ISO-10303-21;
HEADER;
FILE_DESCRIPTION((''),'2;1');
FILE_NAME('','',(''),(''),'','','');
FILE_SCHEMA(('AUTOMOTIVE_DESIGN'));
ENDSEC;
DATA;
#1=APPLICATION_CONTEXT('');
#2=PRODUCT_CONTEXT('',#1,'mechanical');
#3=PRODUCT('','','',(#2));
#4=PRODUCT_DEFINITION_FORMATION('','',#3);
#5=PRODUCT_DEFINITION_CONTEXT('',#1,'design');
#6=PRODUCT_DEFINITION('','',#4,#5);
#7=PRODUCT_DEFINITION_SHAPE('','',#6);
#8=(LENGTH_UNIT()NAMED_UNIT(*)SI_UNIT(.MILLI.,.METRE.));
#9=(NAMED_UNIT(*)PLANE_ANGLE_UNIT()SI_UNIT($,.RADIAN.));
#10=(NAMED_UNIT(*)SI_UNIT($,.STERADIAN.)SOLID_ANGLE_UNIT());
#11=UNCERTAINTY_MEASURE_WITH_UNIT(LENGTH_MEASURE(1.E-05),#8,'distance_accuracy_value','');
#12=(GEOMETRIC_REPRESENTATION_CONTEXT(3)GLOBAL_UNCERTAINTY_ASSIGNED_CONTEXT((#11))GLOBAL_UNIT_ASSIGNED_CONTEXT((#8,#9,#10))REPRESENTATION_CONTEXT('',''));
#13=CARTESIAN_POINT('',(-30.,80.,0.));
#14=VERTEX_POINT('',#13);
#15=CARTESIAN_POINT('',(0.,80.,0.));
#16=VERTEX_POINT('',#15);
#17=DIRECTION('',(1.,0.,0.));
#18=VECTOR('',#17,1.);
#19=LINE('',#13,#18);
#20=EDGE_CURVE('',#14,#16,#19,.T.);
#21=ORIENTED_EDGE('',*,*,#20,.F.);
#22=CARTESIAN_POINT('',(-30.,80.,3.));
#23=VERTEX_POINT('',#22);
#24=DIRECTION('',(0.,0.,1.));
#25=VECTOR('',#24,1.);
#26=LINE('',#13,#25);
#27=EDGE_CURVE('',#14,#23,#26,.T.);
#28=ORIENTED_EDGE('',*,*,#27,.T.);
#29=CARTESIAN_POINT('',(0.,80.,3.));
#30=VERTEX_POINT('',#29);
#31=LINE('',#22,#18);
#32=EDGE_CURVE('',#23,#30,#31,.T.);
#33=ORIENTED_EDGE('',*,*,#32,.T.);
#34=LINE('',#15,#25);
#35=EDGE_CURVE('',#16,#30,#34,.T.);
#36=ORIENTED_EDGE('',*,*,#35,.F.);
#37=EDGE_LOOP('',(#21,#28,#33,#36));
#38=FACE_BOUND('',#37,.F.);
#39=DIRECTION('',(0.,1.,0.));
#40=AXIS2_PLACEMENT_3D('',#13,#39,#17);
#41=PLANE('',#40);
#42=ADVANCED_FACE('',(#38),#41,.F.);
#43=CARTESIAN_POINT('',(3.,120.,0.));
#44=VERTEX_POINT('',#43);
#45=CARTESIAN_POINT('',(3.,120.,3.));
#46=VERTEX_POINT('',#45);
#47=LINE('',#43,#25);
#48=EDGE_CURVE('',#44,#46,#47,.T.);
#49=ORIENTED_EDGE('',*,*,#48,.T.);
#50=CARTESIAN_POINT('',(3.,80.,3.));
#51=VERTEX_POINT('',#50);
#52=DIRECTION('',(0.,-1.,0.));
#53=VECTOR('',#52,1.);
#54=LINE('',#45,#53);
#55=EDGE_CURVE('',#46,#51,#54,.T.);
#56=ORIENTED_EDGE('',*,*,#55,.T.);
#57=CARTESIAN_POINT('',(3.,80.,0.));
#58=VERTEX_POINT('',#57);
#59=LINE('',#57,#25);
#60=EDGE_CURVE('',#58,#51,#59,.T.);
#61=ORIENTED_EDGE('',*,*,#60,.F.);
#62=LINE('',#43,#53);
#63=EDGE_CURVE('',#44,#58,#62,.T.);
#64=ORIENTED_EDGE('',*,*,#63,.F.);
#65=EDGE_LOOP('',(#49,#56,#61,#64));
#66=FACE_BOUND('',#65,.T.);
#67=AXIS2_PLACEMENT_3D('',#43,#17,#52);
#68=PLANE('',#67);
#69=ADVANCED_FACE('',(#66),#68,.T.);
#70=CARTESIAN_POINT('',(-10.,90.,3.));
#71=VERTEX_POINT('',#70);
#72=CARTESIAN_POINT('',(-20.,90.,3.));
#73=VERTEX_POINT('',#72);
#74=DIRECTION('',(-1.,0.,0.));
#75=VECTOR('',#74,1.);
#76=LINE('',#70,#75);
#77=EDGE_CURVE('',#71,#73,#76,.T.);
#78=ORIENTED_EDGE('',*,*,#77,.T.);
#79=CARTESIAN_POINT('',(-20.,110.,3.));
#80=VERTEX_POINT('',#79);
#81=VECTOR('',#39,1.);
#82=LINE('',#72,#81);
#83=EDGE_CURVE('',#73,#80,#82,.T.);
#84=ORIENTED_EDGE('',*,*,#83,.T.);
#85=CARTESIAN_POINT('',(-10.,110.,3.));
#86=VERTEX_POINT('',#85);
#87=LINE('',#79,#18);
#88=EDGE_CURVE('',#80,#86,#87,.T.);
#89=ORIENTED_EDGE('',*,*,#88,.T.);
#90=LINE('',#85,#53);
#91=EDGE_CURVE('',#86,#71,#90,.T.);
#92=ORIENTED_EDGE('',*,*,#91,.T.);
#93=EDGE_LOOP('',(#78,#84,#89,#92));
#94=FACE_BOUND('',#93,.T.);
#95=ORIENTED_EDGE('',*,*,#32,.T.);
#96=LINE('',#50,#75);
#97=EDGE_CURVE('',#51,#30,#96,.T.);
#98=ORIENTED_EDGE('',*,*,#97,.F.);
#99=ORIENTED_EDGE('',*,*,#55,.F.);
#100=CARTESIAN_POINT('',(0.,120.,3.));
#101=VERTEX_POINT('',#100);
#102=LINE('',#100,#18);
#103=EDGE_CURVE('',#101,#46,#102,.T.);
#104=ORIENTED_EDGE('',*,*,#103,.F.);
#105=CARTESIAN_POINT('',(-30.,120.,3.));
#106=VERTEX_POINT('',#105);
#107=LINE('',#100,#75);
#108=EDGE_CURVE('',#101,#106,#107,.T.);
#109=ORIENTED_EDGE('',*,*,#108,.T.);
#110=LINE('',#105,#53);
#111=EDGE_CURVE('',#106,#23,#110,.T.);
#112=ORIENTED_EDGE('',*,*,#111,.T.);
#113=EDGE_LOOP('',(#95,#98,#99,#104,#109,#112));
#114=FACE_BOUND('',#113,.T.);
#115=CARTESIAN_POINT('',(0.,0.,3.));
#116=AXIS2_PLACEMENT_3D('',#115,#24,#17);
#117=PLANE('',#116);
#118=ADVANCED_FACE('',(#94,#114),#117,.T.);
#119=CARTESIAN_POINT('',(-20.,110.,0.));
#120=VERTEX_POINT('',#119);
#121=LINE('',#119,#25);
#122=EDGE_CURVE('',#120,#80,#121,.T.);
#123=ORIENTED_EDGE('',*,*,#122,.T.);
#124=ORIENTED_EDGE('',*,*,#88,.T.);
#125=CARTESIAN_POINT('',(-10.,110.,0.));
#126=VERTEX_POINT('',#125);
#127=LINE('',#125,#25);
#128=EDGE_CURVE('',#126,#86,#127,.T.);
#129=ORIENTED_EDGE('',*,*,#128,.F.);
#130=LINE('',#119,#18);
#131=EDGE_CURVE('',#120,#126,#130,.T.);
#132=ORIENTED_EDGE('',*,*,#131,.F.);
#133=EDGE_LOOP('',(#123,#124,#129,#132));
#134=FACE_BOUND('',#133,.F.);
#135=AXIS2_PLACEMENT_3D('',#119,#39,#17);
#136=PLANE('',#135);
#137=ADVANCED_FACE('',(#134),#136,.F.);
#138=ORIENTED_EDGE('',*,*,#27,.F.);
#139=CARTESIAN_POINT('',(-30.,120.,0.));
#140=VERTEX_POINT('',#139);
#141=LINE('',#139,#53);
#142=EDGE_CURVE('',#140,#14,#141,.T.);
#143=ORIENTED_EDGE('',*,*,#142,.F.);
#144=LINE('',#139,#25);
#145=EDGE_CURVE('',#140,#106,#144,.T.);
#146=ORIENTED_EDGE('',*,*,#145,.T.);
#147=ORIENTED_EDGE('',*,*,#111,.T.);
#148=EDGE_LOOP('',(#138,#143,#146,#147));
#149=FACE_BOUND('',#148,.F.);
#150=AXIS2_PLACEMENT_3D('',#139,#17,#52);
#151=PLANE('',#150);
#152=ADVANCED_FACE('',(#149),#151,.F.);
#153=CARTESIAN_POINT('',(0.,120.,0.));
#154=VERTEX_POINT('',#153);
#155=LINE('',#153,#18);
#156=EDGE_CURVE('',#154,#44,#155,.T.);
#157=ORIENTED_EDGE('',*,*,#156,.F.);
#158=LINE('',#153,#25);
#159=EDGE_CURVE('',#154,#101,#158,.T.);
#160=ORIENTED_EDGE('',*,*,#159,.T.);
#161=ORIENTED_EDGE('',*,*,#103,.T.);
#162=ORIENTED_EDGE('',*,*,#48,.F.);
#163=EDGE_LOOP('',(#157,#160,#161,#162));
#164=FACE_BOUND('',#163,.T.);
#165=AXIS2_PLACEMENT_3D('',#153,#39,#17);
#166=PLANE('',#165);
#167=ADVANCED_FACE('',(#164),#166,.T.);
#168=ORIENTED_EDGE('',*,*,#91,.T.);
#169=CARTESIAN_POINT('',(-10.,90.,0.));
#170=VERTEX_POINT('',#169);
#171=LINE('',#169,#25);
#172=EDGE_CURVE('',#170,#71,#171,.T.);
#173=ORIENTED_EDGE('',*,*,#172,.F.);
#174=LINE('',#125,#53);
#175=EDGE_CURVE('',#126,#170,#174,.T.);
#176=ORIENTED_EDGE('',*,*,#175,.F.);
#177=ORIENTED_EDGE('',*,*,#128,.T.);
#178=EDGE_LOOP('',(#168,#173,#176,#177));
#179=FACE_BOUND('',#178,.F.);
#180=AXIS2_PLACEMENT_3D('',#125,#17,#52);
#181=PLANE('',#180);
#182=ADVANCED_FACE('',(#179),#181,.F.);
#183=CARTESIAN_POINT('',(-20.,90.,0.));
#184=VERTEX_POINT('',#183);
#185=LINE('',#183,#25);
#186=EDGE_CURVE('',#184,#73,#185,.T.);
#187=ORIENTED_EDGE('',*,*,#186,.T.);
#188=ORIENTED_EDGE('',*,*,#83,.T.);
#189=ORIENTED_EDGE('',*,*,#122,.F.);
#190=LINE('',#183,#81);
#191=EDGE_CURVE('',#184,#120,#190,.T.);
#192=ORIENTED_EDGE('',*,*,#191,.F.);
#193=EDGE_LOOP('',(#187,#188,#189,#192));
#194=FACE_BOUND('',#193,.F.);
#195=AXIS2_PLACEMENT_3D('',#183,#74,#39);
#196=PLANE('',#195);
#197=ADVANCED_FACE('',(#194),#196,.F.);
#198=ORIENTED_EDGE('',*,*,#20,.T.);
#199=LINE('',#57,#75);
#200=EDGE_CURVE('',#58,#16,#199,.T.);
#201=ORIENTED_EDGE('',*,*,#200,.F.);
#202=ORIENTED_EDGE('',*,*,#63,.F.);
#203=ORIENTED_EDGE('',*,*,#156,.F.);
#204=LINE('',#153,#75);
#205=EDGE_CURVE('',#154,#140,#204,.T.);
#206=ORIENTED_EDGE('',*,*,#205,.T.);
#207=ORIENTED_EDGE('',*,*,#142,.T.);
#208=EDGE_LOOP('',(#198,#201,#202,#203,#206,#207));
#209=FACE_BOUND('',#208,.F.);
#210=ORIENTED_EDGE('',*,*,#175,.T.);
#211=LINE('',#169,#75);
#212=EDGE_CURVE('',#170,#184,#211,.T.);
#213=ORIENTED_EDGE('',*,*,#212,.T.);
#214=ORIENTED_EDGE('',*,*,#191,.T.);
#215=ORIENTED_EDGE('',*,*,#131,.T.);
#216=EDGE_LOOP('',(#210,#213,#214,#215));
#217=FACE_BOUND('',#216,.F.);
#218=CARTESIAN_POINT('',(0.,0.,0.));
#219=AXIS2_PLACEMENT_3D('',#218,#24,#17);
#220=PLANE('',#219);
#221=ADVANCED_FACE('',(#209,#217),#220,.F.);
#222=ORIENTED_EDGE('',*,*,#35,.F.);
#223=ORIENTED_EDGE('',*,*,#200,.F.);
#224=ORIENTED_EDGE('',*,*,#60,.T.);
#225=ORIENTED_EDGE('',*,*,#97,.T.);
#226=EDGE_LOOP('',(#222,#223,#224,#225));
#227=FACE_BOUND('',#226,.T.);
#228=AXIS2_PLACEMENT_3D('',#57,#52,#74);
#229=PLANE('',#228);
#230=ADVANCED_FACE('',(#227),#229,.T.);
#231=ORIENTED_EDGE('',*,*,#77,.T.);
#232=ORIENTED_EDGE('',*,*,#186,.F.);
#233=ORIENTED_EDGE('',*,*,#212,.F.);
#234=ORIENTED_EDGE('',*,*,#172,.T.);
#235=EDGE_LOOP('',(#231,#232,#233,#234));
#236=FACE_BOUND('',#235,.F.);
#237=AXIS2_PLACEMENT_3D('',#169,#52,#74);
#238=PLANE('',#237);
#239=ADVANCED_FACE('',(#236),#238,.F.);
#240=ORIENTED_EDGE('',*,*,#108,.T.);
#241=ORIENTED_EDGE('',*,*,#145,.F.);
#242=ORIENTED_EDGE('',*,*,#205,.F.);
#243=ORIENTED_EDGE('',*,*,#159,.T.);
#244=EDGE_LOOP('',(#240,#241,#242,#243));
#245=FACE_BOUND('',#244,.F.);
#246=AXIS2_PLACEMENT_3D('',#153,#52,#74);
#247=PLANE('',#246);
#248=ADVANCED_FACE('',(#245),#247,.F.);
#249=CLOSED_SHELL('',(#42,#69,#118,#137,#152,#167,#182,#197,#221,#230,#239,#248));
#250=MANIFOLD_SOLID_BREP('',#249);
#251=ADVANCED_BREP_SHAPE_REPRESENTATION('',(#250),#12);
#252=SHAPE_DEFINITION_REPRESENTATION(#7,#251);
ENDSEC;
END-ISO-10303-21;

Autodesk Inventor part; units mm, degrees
ref_plane "YZ Plane" through (0, 0, 0) normal (1, 0, 0) x (0, 1, 0)
ref_plane "XZ Plane" through (0, 0, 0) normal (0, 1, 0) x (-1, 0, 0)
ref_plane "XY Plane" through (0, 0, 0) normal (0, 0, 1) x (1, 0, 0)
sketch "Sketch1" plane through (0, 0, 0) normal (0, 0, 1) x (1, 0, 0)
  line L0 (0, 120) -> (-30, 120)
  line L1 (-30, 120) -> (-30, 80)
  line L2 (-30, 80) -> (0, 80)
  line L3 (-20, 110) -> (-10, 110)
  line L4 (-10, 110) -> (-10, 90)
  line L5 (-10, 90) -> (-20, 90)
  line L6 (-20, 90) -> (-20, 110)
  line L7 (0, 120) -> (3, 120)
  line L8 (3, 120) -> (3, 80)
  line L9 (3, 80) -> (0, 80)
  line L10 (-30, 120) -> (3, 120)
  line L11 (3, 120) -> (3, 80)
  line L12 (3, 80) -> (-30, 80)
  line L13 (-30, 80) -> (-30, 120)
  point P0 (0, 0)
extrude "Extrusion1" add sketch "Sketch1" along normal blind 3
properties part number "kunci"
